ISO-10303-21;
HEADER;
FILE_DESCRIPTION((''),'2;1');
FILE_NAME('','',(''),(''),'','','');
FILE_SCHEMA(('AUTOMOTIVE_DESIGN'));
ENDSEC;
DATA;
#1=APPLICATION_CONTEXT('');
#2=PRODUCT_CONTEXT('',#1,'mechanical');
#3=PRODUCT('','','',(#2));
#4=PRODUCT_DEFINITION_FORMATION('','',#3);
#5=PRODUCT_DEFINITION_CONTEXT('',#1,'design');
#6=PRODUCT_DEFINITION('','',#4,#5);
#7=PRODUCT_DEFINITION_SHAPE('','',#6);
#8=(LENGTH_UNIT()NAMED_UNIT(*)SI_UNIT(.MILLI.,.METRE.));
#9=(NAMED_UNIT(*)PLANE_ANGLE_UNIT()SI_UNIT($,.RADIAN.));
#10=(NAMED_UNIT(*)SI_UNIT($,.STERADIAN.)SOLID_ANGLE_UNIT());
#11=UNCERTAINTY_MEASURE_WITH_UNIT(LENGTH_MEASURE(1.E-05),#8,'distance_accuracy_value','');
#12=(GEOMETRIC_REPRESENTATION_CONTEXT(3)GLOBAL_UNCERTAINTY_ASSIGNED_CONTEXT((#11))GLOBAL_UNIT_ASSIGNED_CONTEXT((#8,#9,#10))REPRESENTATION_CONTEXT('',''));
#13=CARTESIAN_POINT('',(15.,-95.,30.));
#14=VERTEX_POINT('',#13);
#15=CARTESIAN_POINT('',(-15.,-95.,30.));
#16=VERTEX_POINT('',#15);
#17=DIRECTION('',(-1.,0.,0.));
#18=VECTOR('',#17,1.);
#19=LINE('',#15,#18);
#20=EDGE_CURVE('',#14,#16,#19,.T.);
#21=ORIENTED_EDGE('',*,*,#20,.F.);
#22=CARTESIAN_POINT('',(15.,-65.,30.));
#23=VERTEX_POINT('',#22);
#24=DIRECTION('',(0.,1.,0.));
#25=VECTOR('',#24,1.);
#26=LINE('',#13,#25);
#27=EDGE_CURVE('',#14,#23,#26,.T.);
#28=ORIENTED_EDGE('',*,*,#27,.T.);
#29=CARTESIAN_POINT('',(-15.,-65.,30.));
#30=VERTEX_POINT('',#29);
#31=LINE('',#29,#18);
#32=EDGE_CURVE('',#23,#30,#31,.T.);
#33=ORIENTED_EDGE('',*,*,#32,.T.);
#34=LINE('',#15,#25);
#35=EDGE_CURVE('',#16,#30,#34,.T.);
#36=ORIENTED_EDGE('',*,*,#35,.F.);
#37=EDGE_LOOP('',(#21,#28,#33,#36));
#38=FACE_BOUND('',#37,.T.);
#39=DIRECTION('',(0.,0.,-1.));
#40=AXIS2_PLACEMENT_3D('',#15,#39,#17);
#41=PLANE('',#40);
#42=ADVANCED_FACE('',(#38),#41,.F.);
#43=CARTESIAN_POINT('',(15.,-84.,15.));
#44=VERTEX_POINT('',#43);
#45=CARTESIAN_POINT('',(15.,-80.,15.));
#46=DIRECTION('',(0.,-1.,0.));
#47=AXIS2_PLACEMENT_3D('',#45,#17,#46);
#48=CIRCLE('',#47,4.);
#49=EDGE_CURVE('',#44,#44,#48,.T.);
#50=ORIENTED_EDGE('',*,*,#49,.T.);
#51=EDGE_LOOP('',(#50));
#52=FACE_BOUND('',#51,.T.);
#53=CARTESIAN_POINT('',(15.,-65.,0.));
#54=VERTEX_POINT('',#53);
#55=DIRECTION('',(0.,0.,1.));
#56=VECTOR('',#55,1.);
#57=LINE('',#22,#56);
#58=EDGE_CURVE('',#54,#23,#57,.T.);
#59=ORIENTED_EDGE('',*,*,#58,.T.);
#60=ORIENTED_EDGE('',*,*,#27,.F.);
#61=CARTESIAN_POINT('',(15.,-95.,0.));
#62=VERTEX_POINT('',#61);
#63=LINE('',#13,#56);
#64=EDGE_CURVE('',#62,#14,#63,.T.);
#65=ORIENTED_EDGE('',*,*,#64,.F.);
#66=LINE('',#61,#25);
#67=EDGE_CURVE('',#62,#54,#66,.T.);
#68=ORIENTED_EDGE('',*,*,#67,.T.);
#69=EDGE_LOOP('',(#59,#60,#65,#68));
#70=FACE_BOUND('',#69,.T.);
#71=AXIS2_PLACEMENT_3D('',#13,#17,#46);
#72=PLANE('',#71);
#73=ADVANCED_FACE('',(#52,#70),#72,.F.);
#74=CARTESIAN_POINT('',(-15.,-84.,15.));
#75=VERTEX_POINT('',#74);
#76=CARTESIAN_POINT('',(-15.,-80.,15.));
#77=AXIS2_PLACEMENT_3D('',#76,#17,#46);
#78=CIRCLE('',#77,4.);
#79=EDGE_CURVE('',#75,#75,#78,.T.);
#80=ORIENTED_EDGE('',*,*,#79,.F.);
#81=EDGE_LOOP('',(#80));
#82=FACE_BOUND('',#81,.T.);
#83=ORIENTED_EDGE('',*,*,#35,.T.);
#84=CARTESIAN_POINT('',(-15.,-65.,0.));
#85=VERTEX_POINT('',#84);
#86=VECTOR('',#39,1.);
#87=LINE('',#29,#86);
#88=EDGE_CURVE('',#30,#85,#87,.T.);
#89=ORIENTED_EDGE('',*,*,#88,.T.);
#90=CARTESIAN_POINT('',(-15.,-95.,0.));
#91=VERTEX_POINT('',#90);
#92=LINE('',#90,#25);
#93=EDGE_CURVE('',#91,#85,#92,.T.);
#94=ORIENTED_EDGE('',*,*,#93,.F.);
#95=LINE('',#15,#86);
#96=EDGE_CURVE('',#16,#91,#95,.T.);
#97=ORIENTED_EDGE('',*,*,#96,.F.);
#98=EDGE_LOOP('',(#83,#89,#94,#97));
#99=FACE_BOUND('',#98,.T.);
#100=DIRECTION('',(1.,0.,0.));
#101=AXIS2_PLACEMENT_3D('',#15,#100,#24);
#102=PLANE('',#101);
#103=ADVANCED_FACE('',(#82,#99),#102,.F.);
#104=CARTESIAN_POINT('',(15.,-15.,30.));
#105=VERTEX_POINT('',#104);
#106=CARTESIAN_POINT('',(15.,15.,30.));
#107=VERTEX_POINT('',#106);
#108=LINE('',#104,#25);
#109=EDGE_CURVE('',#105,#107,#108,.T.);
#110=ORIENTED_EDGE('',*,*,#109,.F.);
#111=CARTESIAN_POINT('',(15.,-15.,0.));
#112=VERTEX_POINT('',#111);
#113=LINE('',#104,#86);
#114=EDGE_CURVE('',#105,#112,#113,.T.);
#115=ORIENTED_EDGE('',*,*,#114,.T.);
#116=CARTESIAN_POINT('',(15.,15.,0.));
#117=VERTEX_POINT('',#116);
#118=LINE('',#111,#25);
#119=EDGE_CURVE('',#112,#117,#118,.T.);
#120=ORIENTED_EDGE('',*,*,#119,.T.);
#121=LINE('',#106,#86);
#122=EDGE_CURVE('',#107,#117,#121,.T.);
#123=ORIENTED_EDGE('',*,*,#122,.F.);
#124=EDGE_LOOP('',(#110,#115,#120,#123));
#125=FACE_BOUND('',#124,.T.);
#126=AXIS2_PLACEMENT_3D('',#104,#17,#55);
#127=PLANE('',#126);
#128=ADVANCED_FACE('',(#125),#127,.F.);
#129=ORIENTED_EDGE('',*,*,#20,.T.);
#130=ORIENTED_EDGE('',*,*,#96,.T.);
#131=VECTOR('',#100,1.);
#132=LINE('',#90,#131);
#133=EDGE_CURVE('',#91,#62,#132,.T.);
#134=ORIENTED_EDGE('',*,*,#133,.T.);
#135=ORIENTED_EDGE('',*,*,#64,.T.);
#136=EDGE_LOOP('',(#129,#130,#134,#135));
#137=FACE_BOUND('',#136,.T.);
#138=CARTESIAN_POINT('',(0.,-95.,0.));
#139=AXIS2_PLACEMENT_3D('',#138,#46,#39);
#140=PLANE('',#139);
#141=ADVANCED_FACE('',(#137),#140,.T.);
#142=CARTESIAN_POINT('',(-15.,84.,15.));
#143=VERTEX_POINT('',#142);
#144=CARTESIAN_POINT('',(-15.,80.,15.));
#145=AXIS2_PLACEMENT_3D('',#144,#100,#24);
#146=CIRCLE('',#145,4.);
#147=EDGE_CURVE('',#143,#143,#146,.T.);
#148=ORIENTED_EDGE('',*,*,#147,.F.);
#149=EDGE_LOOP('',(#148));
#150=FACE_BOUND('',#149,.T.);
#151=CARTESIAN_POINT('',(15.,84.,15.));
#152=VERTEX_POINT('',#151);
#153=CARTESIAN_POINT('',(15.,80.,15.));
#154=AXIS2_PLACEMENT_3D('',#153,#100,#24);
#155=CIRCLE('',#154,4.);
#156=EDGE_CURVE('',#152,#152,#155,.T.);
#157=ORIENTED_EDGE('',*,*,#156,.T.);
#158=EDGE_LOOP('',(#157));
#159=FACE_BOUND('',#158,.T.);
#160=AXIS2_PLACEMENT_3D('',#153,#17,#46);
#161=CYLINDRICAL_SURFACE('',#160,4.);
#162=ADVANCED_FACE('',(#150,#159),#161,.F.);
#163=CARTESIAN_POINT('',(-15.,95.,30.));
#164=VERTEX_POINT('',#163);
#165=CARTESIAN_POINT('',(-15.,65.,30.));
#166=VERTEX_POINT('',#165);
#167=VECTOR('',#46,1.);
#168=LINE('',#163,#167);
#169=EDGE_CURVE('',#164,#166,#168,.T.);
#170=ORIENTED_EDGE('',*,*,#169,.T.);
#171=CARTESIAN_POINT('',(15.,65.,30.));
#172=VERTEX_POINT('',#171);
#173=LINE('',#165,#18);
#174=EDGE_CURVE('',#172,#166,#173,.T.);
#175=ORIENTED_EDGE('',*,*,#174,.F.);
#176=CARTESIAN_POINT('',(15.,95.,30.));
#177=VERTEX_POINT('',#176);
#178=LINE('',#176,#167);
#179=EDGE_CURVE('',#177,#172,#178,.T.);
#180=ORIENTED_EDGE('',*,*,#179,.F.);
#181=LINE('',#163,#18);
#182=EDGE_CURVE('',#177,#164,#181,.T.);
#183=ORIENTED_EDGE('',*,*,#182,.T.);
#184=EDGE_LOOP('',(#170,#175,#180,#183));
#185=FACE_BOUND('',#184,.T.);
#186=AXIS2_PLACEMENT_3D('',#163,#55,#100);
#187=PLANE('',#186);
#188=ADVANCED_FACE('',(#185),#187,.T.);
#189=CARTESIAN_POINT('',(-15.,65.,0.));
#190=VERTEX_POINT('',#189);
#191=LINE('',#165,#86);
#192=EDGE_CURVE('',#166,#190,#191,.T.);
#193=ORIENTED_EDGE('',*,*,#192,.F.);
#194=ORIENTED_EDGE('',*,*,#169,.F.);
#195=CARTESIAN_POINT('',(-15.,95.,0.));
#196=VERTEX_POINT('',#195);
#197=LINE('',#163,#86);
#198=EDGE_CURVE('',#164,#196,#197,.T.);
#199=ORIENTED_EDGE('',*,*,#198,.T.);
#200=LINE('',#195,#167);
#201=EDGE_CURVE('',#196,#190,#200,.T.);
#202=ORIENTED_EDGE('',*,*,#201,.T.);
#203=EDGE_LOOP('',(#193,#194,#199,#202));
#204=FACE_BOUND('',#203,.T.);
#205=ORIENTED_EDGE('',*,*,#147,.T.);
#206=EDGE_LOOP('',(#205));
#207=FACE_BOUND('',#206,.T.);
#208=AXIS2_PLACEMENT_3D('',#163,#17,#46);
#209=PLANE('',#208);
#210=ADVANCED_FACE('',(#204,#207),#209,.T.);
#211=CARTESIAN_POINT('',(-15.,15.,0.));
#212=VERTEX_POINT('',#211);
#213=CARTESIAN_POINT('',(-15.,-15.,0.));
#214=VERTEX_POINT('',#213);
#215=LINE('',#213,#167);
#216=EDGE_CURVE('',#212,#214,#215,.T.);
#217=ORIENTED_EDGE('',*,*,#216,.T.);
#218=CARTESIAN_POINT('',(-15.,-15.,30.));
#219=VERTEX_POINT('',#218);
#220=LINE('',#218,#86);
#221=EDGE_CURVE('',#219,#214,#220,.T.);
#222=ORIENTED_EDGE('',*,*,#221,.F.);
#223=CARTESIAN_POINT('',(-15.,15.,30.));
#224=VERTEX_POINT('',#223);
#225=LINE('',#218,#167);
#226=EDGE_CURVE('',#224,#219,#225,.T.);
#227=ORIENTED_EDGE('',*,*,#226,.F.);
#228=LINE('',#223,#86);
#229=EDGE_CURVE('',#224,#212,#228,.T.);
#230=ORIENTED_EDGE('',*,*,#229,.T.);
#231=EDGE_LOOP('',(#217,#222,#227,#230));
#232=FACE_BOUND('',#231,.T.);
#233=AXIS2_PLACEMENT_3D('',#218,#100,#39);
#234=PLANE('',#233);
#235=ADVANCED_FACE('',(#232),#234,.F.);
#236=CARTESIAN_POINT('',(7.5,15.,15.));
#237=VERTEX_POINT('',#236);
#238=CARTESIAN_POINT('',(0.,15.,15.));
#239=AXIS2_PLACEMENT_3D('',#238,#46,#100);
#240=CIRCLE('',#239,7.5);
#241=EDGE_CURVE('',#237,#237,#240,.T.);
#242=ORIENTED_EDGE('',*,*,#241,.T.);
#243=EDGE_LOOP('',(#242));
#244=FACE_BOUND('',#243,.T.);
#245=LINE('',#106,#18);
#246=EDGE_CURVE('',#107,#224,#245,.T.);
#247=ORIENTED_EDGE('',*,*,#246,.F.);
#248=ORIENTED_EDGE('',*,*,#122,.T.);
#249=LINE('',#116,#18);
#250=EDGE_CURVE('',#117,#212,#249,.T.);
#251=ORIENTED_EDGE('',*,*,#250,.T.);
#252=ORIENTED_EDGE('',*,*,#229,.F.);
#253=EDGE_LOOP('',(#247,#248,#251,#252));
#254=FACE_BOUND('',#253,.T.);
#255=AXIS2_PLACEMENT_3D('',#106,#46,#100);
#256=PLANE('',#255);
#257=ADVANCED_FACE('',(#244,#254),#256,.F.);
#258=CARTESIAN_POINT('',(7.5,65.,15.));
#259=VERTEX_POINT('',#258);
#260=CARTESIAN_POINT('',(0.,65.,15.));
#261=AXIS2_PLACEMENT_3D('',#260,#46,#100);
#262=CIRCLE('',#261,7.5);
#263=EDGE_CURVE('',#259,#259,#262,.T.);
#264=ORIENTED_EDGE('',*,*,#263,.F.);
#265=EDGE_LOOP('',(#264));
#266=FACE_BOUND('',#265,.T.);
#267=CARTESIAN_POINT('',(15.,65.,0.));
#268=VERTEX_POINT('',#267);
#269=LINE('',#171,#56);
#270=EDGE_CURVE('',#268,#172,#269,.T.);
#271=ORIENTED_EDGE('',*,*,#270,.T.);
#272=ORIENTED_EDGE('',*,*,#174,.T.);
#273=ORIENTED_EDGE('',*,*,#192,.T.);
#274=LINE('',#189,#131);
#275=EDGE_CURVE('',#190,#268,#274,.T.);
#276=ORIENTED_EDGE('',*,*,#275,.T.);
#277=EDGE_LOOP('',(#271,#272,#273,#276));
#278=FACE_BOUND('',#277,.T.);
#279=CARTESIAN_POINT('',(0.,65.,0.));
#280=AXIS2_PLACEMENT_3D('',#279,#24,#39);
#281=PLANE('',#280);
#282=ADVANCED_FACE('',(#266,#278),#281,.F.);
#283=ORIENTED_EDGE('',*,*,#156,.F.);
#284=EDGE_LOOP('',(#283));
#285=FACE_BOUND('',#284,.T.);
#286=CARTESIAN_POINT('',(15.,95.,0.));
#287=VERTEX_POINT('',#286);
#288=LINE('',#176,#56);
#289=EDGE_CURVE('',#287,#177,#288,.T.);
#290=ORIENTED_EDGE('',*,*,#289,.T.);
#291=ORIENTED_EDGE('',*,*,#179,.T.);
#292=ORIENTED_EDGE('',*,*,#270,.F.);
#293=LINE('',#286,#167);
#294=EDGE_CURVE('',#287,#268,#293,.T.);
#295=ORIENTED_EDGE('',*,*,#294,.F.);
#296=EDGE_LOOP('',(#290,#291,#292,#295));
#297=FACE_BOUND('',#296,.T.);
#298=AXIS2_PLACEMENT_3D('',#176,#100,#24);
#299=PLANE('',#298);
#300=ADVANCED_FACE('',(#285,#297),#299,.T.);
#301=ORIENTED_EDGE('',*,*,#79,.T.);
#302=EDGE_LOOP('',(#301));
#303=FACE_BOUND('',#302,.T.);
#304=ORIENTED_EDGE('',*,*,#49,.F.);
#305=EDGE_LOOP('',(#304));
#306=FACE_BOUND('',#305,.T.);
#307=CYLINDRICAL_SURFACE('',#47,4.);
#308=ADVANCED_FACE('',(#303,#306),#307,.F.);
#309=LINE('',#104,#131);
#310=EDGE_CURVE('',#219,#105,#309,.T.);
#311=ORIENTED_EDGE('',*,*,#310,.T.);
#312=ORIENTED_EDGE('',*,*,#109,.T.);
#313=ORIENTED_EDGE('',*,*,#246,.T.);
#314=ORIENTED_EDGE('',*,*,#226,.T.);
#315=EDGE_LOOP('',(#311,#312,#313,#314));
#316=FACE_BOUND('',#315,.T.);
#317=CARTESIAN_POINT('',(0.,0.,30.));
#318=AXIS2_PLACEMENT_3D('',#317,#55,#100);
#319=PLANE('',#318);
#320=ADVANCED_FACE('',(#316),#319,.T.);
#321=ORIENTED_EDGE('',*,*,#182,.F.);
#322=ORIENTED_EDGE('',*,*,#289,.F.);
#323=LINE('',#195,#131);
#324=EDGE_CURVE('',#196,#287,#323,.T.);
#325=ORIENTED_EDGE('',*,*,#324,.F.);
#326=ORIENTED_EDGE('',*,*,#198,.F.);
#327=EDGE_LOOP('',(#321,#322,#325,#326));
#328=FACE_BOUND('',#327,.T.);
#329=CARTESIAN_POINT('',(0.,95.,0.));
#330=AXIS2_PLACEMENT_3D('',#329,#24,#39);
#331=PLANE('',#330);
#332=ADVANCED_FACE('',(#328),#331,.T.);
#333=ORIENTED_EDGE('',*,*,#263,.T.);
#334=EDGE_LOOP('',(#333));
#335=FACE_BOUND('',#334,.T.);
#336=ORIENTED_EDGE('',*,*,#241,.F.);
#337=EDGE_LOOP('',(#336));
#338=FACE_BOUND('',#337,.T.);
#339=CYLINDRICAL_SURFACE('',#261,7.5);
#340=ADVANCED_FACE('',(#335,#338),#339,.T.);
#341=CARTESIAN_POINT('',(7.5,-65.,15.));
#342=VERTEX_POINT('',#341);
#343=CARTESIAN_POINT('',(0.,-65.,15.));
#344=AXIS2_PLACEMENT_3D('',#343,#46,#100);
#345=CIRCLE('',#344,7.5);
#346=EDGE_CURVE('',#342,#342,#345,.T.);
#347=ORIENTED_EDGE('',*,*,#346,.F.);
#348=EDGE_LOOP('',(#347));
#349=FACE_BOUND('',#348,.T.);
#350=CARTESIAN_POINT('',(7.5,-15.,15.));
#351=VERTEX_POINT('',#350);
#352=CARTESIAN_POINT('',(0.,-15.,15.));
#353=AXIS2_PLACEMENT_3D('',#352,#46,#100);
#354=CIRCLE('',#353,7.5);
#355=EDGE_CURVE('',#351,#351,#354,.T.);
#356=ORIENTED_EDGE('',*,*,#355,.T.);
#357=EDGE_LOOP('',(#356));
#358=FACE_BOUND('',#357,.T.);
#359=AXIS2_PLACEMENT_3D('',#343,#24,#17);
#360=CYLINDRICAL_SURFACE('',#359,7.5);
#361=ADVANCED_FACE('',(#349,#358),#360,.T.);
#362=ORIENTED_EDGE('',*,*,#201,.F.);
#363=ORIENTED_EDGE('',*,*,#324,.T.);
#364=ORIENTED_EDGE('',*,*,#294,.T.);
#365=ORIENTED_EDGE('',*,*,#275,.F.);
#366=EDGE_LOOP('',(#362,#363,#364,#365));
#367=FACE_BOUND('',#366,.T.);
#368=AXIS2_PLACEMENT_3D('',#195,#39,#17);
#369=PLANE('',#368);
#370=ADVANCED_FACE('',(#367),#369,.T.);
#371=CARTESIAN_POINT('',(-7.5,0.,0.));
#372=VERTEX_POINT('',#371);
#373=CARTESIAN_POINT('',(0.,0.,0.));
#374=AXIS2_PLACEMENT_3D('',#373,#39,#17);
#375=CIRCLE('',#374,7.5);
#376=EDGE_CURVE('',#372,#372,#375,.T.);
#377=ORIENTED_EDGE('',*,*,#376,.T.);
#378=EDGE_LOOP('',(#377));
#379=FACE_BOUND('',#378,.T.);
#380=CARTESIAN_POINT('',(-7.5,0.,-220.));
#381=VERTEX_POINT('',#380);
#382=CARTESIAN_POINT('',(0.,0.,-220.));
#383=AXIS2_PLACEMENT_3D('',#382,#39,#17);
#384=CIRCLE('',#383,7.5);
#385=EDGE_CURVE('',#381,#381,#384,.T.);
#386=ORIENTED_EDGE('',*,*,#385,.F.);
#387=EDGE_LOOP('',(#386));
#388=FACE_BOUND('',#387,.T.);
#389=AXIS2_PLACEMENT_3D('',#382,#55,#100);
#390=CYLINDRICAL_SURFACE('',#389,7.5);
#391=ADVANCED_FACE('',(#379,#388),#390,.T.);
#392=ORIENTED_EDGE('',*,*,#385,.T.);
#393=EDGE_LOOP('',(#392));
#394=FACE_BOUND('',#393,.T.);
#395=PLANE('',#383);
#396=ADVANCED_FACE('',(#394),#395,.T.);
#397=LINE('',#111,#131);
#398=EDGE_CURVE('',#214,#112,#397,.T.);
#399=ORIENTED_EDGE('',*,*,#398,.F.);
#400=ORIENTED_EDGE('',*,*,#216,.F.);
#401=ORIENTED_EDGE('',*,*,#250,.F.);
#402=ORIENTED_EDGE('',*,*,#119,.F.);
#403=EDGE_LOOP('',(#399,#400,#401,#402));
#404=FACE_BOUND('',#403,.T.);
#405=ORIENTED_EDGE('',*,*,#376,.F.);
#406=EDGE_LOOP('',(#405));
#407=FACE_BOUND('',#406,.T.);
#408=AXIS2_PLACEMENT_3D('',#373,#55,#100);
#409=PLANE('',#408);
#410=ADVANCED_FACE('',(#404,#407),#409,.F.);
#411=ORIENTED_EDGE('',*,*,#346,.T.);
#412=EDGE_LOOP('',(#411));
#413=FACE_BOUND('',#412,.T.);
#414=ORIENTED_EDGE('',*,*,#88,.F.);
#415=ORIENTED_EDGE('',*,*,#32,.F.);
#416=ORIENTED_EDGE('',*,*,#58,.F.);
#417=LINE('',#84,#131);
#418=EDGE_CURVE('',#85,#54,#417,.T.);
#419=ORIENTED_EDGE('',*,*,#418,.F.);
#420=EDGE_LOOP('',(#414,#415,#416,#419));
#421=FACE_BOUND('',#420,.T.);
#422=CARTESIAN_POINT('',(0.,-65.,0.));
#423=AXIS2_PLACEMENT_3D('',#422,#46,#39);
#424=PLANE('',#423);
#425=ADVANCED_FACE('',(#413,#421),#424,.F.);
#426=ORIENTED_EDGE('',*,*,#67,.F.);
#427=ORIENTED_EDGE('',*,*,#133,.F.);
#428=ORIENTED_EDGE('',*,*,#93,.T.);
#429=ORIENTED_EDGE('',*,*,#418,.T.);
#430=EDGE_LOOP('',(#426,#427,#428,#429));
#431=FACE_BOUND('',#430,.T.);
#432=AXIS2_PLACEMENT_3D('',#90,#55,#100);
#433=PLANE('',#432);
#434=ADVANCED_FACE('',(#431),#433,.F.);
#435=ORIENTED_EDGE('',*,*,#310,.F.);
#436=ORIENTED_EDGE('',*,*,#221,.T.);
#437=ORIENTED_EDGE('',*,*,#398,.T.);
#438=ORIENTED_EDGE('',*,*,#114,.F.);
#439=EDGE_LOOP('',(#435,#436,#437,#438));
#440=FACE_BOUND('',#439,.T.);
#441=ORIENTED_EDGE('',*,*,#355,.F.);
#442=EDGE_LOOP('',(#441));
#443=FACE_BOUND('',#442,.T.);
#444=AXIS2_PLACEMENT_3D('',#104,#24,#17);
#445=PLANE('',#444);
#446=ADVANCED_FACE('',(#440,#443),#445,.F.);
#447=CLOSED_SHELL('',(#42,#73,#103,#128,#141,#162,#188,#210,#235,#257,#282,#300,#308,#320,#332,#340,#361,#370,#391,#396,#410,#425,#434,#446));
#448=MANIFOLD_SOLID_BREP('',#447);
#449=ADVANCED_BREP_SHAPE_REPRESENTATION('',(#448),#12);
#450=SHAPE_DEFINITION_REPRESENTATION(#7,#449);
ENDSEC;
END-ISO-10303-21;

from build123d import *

# Parameters (mm, degrees)
SKETCH_1_W          = 30
SKETCH_1_H          = 30
EXTRUDE_1_DEPTH     = 30
SKETCH_2_R          = 7.5
EXTRUDE_2_DEPTH     = 220
SKETCH_3_R          = 7.5
EXTRUDE_3_DEPTH     = 50
SKETCH_4_W          = 30
SKETCH_4_H          = 30
EXTRUDE_4_DEPTH     = 30
SKETCH_5_R          = 4
CUT_EXTRUDE_1_DEPTH = 31


with BuildPart() as part:
    # 草图1 → 凸台-拉伸1 (new body)
    with BuildSketch(Plane.XY):
        Rectangle(SKETCH_1_W, SKETCH_1_H)
    extrude(amount=EXTRUDE_1_DEPTH)

    # 草图2 → 凸台-拉伸2 (add)
    with BuildSketch(Plane(origin=(0, 0, 0), x_dir=(-1, 0, 0), z_dir=(0, 0, -1))):
        Circle(SKETCH_2_R)
    extrude(amount=EXTRUDE_2_DEPTH)

    # 草图3 → 凸台-拉伸3 (add)
    with BuildSketch(Plane.XZ.offset(15)):
        with Locations((0, 15)):
            Circle(SKETCH_3_R)
    extrude_3 = extrude(amount=EXTRUDE_3_DEPTH)

    # 草图4 → 凸台-拉伸4 (add)
    with BuildSketch(Plane.XZ.offset(65)):
        with Locations((0, 15)):
            Rectangle(SKETCH_4_W, SKETCH_4_H)
    extrude_4 = extrude(amount=EXTRUDE_4_DEPTH)

    # 草图5 → 切除-拉伸1 (cut, through all)
    with BuildSketch(Plane.ZY.offset(15)):
        with Locations((15, -80)):
            Circle(SKETCH_5_R)
    cut_extrude_1 = extrude(amount=-CUT_EXTRUDE_1_DEPTH, mode=Mode.SUBTRACT)

    # 镜向1: 凸台-拉伸3, 凸台-拉伸4, 切除-拉伸1 across plane
    add(extrude_3.mirror(Plane.ZX))
    add(extrude_4.mirror(Plane.ZX))
    add(cut_extrude_1.mirror(Plane.ZX), mode=Mode.SUBTRACT)


solid = part.part
